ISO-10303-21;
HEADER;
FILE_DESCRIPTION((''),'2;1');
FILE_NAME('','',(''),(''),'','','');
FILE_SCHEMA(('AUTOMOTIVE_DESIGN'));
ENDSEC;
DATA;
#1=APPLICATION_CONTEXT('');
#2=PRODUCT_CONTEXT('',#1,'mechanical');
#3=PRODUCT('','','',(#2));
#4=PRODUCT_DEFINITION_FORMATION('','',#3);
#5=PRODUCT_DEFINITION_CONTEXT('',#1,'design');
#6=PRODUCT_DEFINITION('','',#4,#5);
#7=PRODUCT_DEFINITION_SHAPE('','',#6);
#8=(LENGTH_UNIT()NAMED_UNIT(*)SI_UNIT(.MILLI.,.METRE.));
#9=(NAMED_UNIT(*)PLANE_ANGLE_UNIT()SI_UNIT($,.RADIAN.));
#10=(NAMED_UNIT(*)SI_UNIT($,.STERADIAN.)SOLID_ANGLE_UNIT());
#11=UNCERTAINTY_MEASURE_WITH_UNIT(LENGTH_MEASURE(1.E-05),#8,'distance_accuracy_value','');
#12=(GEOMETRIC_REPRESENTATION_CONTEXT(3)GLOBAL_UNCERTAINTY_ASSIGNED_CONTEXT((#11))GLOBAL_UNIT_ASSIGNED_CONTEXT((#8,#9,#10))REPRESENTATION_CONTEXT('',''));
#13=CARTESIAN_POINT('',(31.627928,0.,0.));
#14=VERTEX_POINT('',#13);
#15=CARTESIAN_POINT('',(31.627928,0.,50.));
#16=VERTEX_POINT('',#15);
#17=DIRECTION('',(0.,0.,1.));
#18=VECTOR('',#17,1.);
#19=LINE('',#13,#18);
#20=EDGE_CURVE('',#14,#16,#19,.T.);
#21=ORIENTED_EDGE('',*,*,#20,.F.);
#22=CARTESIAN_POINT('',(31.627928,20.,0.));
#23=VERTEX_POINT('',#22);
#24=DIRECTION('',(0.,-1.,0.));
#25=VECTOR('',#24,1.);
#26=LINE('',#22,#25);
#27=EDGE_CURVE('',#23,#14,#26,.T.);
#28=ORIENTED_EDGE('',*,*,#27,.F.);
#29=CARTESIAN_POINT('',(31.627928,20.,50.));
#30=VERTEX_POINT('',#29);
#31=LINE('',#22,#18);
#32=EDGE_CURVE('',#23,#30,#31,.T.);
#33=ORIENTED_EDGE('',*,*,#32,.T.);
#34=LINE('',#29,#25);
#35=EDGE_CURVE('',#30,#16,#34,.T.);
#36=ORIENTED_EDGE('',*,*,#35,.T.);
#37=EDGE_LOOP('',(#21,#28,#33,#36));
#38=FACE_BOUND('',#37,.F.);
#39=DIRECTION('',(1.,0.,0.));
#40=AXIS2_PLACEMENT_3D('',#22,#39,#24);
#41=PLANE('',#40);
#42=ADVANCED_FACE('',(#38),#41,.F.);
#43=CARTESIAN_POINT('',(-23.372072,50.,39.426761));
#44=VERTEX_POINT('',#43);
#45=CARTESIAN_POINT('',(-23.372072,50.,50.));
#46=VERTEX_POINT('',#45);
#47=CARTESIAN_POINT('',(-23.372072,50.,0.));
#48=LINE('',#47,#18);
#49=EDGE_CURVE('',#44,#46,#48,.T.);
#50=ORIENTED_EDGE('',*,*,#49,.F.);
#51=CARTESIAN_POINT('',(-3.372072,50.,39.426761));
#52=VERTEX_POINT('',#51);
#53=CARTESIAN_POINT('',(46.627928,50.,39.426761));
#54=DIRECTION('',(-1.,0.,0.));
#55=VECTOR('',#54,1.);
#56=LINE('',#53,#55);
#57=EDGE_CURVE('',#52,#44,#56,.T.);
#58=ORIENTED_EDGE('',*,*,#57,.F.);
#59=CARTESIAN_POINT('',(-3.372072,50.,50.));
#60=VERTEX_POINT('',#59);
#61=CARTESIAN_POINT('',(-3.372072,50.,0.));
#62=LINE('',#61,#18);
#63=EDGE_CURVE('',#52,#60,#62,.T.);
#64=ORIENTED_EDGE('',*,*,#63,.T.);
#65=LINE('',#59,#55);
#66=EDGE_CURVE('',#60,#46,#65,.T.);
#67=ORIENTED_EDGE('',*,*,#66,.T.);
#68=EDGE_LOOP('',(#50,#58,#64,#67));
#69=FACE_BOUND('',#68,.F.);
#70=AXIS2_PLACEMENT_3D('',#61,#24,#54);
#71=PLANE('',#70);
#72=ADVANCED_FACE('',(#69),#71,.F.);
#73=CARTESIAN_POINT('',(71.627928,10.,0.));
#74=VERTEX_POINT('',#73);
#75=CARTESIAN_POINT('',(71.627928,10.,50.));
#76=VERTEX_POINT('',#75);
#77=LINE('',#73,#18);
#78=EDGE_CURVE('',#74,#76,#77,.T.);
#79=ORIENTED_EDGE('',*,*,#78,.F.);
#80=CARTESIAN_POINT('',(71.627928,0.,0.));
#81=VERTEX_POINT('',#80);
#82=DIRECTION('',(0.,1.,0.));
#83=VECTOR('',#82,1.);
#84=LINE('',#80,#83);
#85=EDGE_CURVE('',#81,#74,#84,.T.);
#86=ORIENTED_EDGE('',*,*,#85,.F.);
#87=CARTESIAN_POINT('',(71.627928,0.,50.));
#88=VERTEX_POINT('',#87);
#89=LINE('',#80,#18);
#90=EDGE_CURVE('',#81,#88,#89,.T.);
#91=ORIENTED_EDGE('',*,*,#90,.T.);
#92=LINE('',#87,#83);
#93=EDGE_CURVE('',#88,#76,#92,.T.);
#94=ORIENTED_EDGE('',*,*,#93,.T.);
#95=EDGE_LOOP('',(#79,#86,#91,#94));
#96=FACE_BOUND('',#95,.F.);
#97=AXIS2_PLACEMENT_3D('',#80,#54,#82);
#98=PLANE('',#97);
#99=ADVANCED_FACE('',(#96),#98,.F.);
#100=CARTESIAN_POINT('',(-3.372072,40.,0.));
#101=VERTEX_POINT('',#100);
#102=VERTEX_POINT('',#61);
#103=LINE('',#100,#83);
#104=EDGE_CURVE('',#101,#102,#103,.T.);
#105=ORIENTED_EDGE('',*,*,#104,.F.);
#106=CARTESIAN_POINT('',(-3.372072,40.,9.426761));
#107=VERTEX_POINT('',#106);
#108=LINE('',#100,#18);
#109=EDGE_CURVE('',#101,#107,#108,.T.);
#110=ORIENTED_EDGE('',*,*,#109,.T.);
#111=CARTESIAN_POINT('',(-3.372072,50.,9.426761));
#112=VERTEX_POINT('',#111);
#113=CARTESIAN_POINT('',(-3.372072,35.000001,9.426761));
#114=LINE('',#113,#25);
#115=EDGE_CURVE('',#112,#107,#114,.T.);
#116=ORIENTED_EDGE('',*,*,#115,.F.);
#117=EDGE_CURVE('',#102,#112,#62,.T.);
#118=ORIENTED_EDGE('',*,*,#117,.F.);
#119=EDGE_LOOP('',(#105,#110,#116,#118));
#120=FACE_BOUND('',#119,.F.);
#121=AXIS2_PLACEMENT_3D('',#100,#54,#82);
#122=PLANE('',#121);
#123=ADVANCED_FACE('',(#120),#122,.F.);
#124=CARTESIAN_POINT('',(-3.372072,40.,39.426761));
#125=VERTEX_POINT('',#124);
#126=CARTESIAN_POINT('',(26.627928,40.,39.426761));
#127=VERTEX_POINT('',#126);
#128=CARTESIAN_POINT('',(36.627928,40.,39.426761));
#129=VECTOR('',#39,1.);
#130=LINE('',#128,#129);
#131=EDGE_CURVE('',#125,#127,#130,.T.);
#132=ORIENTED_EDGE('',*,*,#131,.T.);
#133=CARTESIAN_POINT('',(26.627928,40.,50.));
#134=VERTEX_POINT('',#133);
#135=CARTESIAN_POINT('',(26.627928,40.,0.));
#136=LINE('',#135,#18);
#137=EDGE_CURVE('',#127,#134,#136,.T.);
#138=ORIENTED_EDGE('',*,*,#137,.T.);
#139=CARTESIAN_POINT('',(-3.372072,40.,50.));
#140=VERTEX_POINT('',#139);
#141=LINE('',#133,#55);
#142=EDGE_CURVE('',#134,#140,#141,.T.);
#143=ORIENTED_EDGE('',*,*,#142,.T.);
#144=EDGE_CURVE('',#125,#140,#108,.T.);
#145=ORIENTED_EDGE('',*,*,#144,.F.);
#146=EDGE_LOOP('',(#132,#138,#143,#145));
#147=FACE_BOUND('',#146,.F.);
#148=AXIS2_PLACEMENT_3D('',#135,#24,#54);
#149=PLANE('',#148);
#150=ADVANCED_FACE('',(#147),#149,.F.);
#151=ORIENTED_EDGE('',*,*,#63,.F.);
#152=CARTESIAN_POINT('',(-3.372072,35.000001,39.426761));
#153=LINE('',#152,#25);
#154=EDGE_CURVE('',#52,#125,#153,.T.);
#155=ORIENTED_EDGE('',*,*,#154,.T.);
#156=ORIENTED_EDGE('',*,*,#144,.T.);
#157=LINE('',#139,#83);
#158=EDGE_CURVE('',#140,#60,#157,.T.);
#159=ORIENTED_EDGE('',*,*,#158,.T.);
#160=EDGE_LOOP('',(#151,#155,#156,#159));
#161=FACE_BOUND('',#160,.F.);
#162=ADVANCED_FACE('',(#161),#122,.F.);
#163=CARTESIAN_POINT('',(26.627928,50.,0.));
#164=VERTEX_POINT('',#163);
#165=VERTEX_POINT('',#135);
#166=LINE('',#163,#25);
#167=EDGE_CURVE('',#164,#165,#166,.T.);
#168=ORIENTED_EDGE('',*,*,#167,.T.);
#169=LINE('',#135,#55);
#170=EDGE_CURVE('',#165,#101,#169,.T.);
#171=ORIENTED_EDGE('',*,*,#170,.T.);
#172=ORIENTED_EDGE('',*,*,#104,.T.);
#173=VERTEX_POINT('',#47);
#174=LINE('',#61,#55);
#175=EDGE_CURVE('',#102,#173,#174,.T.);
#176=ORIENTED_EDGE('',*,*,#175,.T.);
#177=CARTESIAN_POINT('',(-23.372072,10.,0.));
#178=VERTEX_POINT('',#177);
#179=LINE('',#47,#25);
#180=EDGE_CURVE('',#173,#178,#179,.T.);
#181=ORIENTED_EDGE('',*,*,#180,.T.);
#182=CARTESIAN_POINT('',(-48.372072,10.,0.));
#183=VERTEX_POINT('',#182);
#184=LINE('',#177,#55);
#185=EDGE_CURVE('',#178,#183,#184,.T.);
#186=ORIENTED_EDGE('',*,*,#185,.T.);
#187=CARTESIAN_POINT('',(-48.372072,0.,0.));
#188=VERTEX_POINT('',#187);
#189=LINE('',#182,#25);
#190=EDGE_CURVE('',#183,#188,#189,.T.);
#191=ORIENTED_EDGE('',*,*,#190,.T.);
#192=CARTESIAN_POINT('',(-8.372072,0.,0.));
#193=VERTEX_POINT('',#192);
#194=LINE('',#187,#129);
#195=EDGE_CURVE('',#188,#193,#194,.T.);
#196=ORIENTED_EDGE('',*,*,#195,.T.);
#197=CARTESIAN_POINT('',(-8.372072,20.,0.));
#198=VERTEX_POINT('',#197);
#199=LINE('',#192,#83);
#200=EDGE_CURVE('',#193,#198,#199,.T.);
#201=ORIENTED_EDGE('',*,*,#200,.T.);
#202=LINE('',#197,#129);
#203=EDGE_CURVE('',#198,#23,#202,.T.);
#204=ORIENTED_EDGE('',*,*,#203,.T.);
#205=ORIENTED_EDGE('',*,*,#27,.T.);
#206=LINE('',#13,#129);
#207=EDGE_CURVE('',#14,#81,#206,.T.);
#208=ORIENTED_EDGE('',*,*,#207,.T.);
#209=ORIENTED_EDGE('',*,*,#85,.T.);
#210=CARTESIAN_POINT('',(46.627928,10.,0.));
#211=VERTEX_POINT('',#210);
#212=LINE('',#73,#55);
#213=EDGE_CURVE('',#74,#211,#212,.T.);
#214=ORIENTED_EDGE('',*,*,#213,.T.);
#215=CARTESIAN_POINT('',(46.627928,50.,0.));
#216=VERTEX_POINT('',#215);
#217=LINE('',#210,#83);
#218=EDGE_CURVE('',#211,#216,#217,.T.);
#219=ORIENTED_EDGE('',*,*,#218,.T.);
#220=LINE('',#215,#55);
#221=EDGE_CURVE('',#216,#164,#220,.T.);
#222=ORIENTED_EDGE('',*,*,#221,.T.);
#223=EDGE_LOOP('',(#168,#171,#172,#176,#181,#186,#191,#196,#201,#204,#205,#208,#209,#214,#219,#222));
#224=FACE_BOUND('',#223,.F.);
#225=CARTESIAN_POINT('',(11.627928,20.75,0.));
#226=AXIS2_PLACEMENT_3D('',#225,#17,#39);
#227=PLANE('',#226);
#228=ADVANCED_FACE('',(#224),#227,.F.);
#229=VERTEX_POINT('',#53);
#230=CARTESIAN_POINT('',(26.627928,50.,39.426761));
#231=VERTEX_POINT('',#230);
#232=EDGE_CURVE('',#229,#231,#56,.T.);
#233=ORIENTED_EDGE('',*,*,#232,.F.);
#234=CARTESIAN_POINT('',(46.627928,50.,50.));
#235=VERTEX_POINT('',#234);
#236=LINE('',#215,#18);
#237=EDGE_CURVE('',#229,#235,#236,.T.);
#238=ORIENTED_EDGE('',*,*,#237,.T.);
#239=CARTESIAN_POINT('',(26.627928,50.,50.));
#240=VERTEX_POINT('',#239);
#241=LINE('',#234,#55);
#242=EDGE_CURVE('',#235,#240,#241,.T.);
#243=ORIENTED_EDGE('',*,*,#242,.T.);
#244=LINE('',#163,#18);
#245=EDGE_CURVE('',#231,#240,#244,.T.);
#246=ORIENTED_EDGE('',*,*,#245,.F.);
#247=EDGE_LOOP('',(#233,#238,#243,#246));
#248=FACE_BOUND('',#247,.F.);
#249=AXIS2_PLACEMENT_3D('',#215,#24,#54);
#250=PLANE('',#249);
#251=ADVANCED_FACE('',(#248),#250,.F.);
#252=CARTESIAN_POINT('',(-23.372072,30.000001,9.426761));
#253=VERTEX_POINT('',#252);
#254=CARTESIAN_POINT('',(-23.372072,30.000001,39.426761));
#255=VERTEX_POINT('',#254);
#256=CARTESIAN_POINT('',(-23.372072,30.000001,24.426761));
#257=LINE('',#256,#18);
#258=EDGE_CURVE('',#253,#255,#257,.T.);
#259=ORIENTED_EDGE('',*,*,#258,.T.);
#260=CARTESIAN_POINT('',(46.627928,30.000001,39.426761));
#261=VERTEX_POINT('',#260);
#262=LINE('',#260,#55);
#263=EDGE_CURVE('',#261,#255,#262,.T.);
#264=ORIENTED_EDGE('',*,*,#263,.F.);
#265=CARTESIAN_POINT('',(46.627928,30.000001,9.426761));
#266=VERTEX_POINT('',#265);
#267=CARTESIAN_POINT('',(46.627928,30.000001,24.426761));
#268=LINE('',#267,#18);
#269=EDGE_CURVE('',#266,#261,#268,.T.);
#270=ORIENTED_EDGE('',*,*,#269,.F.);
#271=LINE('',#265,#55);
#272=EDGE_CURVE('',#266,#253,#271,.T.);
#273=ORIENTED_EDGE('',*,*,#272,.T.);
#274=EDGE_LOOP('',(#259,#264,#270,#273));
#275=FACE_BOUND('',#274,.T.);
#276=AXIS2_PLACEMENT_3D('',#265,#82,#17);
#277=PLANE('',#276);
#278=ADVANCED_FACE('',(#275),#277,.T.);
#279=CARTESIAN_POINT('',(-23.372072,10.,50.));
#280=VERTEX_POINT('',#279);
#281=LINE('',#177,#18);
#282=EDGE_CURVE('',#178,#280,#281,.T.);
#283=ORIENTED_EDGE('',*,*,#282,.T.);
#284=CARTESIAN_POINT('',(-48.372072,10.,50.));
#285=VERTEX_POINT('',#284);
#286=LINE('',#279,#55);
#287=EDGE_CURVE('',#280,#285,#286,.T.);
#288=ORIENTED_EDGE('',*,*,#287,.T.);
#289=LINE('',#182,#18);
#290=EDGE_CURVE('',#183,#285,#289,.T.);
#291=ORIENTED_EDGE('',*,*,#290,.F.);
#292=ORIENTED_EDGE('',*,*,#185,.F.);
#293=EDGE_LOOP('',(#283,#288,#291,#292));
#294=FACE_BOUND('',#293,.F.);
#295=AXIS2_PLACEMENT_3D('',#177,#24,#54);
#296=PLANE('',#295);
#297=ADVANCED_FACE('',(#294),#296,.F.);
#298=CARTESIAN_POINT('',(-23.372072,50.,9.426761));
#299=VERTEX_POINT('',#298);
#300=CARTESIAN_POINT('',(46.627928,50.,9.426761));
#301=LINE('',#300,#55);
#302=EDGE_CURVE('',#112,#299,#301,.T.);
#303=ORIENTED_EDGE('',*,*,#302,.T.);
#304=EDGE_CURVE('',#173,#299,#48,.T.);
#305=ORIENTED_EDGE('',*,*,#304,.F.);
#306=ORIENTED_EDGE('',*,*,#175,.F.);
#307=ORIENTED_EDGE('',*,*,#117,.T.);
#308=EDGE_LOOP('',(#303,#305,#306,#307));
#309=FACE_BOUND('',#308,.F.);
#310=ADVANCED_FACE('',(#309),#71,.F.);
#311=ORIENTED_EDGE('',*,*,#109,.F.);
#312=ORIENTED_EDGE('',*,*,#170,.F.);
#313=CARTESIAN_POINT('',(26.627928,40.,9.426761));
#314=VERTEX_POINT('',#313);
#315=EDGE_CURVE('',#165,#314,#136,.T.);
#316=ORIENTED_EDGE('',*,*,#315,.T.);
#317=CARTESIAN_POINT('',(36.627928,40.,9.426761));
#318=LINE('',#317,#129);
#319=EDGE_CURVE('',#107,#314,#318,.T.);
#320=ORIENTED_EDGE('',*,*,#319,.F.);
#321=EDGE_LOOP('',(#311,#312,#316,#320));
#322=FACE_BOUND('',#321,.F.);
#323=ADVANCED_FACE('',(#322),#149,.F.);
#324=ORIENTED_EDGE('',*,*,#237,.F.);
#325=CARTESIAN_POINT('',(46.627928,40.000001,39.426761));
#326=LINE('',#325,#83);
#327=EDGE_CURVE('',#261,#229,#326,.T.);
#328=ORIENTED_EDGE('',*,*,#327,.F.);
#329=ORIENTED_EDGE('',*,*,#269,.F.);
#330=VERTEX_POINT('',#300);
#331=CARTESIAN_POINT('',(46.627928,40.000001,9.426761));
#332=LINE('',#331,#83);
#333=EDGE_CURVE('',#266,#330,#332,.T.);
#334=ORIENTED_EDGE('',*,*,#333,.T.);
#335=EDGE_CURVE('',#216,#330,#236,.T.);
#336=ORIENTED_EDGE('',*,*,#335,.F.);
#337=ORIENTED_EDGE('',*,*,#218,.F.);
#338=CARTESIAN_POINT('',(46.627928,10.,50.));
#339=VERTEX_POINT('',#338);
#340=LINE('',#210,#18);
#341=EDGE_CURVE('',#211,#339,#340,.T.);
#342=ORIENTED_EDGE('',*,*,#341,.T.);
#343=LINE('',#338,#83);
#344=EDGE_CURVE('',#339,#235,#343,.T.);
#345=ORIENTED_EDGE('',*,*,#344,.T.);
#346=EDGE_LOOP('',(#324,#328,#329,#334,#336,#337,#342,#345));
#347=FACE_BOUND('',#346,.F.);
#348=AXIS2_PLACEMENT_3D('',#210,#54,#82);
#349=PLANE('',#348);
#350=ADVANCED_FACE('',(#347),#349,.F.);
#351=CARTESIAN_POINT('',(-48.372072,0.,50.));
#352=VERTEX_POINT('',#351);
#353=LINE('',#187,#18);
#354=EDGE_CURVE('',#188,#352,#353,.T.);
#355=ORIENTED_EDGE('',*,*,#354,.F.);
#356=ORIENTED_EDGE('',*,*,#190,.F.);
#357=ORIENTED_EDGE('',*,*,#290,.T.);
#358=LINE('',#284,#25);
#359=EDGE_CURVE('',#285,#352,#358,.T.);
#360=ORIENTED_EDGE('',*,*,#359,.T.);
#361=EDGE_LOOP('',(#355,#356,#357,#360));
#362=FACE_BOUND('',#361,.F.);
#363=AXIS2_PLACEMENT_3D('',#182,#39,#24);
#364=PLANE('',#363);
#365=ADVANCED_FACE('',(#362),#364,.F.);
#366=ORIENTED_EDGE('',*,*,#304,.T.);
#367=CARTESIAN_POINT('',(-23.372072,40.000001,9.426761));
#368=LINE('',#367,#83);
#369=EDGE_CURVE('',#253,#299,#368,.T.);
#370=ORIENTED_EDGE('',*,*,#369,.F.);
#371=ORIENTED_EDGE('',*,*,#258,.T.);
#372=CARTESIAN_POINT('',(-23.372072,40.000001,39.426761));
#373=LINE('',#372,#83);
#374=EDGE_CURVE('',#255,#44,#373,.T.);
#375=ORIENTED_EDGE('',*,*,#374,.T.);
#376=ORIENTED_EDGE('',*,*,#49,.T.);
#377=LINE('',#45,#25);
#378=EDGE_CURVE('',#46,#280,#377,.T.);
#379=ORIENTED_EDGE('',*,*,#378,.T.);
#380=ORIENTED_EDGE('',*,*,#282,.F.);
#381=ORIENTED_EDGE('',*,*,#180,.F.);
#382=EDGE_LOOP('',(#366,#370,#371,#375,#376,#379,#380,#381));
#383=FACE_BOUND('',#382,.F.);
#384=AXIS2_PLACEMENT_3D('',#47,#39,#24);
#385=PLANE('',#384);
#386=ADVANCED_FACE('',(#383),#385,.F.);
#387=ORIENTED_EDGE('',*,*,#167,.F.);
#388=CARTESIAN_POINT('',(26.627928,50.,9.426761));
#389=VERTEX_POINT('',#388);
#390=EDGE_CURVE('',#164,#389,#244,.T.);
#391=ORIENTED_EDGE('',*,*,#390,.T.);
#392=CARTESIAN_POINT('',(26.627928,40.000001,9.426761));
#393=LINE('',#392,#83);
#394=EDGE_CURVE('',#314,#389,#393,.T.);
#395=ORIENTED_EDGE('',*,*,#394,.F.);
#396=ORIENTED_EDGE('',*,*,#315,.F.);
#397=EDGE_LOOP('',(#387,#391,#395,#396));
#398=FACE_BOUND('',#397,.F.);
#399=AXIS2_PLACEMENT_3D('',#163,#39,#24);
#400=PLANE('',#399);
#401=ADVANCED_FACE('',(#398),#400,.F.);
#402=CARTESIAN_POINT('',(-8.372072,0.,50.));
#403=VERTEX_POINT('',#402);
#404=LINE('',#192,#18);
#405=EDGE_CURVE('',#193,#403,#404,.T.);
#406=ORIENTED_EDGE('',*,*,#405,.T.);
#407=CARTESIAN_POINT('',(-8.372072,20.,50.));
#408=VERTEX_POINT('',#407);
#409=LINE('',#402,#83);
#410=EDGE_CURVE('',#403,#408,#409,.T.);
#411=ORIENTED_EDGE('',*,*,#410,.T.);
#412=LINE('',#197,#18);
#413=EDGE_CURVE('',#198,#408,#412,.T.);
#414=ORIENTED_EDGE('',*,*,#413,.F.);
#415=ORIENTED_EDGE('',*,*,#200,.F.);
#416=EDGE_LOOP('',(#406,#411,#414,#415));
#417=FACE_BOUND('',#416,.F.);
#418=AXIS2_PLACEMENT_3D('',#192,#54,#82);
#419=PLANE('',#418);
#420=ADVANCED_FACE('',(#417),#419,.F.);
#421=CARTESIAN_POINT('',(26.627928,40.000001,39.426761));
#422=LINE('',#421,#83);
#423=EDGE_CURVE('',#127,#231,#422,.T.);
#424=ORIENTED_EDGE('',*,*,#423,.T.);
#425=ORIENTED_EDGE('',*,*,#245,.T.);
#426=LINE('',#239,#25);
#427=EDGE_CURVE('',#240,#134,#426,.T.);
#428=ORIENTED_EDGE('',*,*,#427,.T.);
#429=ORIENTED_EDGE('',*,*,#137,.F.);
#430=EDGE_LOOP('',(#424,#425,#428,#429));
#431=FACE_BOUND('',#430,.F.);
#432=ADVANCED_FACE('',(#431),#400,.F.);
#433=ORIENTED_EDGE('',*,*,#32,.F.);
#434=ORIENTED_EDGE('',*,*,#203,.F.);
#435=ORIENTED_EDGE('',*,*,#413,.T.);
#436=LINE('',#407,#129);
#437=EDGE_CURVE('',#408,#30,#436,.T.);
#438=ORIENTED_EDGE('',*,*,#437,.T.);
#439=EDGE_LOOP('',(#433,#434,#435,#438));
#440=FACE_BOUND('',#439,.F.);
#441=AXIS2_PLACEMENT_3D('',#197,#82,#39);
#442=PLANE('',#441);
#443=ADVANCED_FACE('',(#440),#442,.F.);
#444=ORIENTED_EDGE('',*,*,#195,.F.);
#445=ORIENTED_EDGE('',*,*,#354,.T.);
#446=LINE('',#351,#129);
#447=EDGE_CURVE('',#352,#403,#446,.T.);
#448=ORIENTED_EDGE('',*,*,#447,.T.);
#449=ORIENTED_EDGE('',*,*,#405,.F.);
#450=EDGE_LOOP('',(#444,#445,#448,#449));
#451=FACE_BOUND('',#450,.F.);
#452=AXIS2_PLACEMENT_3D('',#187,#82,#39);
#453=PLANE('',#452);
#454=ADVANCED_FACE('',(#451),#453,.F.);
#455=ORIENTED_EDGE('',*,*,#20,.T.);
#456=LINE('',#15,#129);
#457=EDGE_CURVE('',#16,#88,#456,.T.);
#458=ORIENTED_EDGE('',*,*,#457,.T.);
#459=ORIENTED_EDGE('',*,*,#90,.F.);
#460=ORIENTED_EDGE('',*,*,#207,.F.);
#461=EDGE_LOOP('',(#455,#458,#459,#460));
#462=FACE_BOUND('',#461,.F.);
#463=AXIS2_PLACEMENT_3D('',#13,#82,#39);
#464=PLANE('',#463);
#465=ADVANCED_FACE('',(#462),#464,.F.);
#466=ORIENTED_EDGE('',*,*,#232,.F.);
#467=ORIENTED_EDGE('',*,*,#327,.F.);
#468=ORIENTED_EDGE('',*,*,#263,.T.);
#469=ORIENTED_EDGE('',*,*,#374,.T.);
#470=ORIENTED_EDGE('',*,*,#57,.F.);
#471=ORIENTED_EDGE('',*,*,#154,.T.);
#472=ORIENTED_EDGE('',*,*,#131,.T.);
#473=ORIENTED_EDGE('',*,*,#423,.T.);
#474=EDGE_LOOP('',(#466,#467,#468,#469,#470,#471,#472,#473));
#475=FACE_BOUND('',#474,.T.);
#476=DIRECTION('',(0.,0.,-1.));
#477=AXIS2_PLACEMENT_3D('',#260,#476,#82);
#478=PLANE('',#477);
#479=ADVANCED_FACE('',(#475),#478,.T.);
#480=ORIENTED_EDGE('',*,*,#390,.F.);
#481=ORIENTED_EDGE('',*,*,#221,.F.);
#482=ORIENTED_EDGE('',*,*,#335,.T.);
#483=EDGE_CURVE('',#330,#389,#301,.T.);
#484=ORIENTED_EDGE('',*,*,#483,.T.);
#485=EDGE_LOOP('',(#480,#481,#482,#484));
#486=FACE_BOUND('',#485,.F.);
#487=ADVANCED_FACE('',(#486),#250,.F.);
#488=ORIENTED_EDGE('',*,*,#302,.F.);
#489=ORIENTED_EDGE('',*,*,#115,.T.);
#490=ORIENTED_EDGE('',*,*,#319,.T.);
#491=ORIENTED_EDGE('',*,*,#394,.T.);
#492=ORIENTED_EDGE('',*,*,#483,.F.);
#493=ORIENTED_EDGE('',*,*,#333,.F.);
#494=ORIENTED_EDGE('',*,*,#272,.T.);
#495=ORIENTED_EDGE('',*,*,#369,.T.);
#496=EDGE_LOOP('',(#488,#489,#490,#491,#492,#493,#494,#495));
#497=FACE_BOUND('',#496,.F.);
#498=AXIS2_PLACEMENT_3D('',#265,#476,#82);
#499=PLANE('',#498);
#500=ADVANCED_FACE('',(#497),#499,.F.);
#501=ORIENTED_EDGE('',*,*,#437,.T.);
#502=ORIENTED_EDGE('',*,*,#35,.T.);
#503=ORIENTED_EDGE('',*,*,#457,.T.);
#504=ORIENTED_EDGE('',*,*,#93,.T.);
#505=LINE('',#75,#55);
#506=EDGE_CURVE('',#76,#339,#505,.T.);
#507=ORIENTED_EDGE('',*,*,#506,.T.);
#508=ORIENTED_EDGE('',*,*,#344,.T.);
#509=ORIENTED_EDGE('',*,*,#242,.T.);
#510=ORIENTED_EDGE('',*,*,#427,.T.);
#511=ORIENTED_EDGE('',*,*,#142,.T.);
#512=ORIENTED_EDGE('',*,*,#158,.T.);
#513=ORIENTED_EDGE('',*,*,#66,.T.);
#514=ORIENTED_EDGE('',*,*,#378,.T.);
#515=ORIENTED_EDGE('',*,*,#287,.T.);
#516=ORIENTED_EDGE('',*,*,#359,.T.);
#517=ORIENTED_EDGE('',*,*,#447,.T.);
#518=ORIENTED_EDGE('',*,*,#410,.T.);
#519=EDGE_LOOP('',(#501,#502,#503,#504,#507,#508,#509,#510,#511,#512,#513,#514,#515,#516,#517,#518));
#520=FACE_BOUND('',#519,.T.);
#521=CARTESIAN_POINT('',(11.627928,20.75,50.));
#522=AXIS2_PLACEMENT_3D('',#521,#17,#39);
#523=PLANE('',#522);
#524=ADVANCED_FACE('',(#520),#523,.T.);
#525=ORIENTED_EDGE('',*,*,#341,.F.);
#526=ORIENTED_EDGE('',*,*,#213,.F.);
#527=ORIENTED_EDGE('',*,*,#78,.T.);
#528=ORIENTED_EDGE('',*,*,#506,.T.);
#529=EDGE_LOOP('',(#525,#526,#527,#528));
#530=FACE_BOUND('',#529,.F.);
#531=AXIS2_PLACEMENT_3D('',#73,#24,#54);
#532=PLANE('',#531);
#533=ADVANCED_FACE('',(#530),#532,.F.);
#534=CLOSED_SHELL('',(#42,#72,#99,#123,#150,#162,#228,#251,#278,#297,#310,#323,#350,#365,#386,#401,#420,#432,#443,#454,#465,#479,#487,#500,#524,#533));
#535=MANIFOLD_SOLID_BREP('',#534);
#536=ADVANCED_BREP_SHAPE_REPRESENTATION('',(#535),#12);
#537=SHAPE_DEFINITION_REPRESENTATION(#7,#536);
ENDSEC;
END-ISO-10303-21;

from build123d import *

# Parameters (mm, degrees)
F1_DEPTH = 50
F2_W     = 19.9999988079
F2_H     = 30
F3_DEPTH = 70


with BuildPart() as f1:
    # F0 (on Top) → F1 (new body)
    with BuildSketch(Plane.XY):
        Polygon((-48.3720720015, 10), (-48.3720720015, 0), (-8.3720720015, 0), (-8.3720720015, 20), (31.6279279985, 20), (31.6279279985, 0), (71.6279279985, 0), (71.6279279985, 10), (46.6279279985, 10), (46.6279279985, 50), (26.6279279985, 50), (26.6279279985, 40), (-3.3720720015, 40), (-3.3720720015, 50), (-23.3720720015, 50), (-23.3720720015, 10), align=None)
    extrude(amount=F1_DEPTH)

    # F2 (on face) → F3 (cut)
    with BuildSketch(Plane.YZ.offset(46.6279279985)):
        with Locations((40.000000596, 24.4267614186)):
            Rectangle(F2_W, F2_H)
    extrude(amount=-F3_DEPTH, mode=Mode.SUBTRACT)


solid = f1.part
